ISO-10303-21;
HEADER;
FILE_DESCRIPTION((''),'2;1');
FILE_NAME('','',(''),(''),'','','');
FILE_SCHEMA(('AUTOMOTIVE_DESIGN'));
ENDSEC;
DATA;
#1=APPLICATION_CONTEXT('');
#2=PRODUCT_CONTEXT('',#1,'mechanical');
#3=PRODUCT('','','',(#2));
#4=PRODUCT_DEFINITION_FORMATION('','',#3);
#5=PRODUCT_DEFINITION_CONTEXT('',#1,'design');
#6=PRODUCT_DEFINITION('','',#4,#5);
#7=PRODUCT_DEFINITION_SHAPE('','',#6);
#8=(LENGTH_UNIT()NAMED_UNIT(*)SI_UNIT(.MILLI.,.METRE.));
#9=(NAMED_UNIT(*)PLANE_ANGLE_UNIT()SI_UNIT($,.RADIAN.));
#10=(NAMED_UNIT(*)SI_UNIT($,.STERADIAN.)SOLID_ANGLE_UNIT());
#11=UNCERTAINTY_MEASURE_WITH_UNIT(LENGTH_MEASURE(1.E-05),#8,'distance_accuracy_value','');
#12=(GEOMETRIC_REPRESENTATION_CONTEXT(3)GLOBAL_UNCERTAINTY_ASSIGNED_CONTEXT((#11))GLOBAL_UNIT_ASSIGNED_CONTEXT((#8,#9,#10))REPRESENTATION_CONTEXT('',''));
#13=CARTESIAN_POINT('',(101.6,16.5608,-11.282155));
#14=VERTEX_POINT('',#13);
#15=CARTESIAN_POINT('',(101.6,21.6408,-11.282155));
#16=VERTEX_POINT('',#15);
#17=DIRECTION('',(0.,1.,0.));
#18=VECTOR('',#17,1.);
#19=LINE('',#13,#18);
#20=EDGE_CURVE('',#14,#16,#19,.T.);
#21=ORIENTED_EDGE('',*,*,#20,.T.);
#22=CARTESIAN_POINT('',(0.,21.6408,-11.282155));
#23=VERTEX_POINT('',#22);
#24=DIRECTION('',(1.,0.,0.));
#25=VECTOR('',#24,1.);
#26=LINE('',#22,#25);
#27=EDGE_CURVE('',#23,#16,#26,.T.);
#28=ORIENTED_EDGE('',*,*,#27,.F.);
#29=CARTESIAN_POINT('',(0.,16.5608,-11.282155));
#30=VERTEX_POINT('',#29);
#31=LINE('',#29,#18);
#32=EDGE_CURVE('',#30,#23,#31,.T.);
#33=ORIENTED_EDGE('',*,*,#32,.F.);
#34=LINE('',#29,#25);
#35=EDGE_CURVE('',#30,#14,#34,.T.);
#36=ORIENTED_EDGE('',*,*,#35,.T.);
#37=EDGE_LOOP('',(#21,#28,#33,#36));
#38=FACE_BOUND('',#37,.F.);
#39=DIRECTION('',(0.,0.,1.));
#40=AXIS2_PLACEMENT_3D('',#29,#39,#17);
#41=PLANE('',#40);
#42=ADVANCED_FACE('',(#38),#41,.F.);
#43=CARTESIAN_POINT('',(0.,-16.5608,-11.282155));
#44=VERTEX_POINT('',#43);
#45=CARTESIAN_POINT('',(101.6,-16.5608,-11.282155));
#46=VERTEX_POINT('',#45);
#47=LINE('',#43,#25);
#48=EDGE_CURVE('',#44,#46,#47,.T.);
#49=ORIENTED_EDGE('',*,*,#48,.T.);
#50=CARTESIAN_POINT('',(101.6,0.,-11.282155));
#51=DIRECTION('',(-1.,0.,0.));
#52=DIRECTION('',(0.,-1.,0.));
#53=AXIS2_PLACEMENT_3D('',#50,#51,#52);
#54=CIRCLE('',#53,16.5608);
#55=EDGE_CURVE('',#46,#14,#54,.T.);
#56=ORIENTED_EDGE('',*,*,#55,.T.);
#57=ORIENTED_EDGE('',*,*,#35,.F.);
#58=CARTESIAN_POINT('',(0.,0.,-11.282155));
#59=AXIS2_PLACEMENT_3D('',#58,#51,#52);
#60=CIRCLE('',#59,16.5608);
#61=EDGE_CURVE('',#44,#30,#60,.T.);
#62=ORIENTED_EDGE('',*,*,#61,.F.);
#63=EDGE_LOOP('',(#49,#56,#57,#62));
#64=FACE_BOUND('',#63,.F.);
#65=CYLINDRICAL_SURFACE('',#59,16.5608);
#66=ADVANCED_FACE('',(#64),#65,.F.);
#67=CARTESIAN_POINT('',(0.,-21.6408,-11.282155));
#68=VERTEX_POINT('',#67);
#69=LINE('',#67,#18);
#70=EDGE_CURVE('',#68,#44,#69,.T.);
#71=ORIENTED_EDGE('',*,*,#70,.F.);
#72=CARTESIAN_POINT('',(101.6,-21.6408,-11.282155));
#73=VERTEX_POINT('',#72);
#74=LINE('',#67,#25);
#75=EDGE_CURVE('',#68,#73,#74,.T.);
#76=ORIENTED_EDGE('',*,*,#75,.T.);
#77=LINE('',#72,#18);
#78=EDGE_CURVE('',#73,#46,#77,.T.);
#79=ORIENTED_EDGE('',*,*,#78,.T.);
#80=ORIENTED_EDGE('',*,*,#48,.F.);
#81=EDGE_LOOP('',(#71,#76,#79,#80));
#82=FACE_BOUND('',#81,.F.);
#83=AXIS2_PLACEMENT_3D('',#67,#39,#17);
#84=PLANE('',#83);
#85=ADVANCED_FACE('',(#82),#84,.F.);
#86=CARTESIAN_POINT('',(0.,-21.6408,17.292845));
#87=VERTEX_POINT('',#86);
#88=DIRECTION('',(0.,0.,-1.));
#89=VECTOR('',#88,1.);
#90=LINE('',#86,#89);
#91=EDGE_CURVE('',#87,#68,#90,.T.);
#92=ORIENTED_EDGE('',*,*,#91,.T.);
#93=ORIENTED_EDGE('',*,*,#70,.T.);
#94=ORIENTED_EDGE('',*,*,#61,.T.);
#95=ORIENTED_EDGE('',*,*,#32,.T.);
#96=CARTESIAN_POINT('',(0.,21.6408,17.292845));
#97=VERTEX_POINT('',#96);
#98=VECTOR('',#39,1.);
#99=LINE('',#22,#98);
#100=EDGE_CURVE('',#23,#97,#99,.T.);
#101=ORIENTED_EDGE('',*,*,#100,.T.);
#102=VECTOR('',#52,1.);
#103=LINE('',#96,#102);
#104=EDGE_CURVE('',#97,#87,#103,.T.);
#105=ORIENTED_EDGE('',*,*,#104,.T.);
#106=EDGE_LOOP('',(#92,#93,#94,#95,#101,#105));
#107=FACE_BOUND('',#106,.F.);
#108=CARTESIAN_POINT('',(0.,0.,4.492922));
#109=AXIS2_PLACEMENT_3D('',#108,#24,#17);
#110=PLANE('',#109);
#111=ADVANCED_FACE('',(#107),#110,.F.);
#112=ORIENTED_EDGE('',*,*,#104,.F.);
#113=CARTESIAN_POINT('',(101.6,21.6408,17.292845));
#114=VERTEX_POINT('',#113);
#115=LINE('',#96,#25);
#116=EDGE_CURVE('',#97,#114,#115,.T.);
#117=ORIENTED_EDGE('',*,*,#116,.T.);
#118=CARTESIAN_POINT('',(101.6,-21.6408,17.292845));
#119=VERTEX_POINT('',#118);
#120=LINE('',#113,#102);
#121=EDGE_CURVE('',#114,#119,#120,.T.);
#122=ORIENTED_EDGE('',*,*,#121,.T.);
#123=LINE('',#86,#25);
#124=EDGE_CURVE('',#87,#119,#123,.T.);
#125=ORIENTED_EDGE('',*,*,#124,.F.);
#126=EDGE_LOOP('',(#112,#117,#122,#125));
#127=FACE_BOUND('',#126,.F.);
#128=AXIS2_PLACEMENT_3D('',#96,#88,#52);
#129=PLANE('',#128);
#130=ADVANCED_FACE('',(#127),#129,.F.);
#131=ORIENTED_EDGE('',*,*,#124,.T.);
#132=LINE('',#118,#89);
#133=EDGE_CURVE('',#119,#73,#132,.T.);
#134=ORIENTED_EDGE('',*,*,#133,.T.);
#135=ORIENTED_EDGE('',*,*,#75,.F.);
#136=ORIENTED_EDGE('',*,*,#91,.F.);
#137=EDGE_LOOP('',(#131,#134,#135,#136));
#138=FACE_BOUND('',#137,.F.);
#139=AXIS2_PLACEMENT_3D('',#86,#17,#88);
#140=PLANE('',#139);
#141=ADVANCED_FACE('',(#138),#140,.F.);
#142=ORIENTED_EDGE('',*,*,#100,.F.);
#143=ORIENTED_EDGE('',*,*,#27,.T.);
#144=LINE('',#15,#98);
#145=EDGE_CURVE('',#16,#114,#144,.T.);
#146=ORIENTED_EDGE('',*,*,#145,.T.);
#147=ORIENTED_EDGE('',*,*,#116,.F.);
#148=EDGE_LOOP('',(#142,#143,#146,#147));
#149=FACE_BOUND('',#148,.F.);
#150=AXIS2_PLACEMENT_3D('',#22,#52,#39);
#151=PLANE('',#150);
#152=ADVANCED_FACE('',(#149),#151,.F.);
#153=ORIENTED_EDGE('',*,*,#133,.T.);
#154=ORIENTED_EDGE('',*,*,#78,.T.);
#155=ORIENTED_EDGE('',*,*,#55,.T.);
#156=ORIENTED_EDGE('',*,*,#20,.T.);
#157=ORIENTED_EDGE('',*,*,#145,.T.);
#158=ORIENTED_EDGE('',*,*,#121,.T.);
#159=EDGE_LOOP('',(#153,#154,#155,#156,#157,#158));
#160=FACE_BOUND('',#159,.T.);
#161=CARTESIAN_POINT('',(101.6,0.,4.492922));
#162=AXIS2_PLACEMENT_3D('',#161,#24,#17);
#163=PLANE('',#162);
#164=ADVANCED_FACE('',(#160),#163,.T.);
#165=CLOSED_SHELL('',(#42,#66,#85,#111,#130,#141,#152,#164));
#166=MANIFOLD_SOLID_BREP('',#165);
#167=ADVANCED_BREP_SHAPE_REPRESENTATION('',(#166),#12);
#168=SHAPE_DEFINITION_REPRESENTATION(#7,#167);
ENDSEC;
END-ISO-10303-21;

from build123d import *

# Parameters (mm, degrees)
F1_DEPTH = 101.6


with BuildPart() as f1:
    # F0 (on Right) → F1 (new body)
    with BuildSketch(Plane.YZ):
        with BuildLine():
            ThreePointArc((-16.5608, -11.282155), (0, 5.278645), (16.5608, -11.282155))
            Line((16.5608, -11.282155), (21.6408, -11.282155))
            Line((21.6408, -11.282155), (21.6408, 17.292845))
            Line((21.6408, 17.292845), (-21.6408, 17.292845))
            Line((-21.6408, 17.292845), (-21.6408, -11.282155))
            Line((-21.6408, -11.282155), (-16.5608, -11.282155))
        make_face()
    extrude(amount=F1_DEPTH)


solid = f1.part
